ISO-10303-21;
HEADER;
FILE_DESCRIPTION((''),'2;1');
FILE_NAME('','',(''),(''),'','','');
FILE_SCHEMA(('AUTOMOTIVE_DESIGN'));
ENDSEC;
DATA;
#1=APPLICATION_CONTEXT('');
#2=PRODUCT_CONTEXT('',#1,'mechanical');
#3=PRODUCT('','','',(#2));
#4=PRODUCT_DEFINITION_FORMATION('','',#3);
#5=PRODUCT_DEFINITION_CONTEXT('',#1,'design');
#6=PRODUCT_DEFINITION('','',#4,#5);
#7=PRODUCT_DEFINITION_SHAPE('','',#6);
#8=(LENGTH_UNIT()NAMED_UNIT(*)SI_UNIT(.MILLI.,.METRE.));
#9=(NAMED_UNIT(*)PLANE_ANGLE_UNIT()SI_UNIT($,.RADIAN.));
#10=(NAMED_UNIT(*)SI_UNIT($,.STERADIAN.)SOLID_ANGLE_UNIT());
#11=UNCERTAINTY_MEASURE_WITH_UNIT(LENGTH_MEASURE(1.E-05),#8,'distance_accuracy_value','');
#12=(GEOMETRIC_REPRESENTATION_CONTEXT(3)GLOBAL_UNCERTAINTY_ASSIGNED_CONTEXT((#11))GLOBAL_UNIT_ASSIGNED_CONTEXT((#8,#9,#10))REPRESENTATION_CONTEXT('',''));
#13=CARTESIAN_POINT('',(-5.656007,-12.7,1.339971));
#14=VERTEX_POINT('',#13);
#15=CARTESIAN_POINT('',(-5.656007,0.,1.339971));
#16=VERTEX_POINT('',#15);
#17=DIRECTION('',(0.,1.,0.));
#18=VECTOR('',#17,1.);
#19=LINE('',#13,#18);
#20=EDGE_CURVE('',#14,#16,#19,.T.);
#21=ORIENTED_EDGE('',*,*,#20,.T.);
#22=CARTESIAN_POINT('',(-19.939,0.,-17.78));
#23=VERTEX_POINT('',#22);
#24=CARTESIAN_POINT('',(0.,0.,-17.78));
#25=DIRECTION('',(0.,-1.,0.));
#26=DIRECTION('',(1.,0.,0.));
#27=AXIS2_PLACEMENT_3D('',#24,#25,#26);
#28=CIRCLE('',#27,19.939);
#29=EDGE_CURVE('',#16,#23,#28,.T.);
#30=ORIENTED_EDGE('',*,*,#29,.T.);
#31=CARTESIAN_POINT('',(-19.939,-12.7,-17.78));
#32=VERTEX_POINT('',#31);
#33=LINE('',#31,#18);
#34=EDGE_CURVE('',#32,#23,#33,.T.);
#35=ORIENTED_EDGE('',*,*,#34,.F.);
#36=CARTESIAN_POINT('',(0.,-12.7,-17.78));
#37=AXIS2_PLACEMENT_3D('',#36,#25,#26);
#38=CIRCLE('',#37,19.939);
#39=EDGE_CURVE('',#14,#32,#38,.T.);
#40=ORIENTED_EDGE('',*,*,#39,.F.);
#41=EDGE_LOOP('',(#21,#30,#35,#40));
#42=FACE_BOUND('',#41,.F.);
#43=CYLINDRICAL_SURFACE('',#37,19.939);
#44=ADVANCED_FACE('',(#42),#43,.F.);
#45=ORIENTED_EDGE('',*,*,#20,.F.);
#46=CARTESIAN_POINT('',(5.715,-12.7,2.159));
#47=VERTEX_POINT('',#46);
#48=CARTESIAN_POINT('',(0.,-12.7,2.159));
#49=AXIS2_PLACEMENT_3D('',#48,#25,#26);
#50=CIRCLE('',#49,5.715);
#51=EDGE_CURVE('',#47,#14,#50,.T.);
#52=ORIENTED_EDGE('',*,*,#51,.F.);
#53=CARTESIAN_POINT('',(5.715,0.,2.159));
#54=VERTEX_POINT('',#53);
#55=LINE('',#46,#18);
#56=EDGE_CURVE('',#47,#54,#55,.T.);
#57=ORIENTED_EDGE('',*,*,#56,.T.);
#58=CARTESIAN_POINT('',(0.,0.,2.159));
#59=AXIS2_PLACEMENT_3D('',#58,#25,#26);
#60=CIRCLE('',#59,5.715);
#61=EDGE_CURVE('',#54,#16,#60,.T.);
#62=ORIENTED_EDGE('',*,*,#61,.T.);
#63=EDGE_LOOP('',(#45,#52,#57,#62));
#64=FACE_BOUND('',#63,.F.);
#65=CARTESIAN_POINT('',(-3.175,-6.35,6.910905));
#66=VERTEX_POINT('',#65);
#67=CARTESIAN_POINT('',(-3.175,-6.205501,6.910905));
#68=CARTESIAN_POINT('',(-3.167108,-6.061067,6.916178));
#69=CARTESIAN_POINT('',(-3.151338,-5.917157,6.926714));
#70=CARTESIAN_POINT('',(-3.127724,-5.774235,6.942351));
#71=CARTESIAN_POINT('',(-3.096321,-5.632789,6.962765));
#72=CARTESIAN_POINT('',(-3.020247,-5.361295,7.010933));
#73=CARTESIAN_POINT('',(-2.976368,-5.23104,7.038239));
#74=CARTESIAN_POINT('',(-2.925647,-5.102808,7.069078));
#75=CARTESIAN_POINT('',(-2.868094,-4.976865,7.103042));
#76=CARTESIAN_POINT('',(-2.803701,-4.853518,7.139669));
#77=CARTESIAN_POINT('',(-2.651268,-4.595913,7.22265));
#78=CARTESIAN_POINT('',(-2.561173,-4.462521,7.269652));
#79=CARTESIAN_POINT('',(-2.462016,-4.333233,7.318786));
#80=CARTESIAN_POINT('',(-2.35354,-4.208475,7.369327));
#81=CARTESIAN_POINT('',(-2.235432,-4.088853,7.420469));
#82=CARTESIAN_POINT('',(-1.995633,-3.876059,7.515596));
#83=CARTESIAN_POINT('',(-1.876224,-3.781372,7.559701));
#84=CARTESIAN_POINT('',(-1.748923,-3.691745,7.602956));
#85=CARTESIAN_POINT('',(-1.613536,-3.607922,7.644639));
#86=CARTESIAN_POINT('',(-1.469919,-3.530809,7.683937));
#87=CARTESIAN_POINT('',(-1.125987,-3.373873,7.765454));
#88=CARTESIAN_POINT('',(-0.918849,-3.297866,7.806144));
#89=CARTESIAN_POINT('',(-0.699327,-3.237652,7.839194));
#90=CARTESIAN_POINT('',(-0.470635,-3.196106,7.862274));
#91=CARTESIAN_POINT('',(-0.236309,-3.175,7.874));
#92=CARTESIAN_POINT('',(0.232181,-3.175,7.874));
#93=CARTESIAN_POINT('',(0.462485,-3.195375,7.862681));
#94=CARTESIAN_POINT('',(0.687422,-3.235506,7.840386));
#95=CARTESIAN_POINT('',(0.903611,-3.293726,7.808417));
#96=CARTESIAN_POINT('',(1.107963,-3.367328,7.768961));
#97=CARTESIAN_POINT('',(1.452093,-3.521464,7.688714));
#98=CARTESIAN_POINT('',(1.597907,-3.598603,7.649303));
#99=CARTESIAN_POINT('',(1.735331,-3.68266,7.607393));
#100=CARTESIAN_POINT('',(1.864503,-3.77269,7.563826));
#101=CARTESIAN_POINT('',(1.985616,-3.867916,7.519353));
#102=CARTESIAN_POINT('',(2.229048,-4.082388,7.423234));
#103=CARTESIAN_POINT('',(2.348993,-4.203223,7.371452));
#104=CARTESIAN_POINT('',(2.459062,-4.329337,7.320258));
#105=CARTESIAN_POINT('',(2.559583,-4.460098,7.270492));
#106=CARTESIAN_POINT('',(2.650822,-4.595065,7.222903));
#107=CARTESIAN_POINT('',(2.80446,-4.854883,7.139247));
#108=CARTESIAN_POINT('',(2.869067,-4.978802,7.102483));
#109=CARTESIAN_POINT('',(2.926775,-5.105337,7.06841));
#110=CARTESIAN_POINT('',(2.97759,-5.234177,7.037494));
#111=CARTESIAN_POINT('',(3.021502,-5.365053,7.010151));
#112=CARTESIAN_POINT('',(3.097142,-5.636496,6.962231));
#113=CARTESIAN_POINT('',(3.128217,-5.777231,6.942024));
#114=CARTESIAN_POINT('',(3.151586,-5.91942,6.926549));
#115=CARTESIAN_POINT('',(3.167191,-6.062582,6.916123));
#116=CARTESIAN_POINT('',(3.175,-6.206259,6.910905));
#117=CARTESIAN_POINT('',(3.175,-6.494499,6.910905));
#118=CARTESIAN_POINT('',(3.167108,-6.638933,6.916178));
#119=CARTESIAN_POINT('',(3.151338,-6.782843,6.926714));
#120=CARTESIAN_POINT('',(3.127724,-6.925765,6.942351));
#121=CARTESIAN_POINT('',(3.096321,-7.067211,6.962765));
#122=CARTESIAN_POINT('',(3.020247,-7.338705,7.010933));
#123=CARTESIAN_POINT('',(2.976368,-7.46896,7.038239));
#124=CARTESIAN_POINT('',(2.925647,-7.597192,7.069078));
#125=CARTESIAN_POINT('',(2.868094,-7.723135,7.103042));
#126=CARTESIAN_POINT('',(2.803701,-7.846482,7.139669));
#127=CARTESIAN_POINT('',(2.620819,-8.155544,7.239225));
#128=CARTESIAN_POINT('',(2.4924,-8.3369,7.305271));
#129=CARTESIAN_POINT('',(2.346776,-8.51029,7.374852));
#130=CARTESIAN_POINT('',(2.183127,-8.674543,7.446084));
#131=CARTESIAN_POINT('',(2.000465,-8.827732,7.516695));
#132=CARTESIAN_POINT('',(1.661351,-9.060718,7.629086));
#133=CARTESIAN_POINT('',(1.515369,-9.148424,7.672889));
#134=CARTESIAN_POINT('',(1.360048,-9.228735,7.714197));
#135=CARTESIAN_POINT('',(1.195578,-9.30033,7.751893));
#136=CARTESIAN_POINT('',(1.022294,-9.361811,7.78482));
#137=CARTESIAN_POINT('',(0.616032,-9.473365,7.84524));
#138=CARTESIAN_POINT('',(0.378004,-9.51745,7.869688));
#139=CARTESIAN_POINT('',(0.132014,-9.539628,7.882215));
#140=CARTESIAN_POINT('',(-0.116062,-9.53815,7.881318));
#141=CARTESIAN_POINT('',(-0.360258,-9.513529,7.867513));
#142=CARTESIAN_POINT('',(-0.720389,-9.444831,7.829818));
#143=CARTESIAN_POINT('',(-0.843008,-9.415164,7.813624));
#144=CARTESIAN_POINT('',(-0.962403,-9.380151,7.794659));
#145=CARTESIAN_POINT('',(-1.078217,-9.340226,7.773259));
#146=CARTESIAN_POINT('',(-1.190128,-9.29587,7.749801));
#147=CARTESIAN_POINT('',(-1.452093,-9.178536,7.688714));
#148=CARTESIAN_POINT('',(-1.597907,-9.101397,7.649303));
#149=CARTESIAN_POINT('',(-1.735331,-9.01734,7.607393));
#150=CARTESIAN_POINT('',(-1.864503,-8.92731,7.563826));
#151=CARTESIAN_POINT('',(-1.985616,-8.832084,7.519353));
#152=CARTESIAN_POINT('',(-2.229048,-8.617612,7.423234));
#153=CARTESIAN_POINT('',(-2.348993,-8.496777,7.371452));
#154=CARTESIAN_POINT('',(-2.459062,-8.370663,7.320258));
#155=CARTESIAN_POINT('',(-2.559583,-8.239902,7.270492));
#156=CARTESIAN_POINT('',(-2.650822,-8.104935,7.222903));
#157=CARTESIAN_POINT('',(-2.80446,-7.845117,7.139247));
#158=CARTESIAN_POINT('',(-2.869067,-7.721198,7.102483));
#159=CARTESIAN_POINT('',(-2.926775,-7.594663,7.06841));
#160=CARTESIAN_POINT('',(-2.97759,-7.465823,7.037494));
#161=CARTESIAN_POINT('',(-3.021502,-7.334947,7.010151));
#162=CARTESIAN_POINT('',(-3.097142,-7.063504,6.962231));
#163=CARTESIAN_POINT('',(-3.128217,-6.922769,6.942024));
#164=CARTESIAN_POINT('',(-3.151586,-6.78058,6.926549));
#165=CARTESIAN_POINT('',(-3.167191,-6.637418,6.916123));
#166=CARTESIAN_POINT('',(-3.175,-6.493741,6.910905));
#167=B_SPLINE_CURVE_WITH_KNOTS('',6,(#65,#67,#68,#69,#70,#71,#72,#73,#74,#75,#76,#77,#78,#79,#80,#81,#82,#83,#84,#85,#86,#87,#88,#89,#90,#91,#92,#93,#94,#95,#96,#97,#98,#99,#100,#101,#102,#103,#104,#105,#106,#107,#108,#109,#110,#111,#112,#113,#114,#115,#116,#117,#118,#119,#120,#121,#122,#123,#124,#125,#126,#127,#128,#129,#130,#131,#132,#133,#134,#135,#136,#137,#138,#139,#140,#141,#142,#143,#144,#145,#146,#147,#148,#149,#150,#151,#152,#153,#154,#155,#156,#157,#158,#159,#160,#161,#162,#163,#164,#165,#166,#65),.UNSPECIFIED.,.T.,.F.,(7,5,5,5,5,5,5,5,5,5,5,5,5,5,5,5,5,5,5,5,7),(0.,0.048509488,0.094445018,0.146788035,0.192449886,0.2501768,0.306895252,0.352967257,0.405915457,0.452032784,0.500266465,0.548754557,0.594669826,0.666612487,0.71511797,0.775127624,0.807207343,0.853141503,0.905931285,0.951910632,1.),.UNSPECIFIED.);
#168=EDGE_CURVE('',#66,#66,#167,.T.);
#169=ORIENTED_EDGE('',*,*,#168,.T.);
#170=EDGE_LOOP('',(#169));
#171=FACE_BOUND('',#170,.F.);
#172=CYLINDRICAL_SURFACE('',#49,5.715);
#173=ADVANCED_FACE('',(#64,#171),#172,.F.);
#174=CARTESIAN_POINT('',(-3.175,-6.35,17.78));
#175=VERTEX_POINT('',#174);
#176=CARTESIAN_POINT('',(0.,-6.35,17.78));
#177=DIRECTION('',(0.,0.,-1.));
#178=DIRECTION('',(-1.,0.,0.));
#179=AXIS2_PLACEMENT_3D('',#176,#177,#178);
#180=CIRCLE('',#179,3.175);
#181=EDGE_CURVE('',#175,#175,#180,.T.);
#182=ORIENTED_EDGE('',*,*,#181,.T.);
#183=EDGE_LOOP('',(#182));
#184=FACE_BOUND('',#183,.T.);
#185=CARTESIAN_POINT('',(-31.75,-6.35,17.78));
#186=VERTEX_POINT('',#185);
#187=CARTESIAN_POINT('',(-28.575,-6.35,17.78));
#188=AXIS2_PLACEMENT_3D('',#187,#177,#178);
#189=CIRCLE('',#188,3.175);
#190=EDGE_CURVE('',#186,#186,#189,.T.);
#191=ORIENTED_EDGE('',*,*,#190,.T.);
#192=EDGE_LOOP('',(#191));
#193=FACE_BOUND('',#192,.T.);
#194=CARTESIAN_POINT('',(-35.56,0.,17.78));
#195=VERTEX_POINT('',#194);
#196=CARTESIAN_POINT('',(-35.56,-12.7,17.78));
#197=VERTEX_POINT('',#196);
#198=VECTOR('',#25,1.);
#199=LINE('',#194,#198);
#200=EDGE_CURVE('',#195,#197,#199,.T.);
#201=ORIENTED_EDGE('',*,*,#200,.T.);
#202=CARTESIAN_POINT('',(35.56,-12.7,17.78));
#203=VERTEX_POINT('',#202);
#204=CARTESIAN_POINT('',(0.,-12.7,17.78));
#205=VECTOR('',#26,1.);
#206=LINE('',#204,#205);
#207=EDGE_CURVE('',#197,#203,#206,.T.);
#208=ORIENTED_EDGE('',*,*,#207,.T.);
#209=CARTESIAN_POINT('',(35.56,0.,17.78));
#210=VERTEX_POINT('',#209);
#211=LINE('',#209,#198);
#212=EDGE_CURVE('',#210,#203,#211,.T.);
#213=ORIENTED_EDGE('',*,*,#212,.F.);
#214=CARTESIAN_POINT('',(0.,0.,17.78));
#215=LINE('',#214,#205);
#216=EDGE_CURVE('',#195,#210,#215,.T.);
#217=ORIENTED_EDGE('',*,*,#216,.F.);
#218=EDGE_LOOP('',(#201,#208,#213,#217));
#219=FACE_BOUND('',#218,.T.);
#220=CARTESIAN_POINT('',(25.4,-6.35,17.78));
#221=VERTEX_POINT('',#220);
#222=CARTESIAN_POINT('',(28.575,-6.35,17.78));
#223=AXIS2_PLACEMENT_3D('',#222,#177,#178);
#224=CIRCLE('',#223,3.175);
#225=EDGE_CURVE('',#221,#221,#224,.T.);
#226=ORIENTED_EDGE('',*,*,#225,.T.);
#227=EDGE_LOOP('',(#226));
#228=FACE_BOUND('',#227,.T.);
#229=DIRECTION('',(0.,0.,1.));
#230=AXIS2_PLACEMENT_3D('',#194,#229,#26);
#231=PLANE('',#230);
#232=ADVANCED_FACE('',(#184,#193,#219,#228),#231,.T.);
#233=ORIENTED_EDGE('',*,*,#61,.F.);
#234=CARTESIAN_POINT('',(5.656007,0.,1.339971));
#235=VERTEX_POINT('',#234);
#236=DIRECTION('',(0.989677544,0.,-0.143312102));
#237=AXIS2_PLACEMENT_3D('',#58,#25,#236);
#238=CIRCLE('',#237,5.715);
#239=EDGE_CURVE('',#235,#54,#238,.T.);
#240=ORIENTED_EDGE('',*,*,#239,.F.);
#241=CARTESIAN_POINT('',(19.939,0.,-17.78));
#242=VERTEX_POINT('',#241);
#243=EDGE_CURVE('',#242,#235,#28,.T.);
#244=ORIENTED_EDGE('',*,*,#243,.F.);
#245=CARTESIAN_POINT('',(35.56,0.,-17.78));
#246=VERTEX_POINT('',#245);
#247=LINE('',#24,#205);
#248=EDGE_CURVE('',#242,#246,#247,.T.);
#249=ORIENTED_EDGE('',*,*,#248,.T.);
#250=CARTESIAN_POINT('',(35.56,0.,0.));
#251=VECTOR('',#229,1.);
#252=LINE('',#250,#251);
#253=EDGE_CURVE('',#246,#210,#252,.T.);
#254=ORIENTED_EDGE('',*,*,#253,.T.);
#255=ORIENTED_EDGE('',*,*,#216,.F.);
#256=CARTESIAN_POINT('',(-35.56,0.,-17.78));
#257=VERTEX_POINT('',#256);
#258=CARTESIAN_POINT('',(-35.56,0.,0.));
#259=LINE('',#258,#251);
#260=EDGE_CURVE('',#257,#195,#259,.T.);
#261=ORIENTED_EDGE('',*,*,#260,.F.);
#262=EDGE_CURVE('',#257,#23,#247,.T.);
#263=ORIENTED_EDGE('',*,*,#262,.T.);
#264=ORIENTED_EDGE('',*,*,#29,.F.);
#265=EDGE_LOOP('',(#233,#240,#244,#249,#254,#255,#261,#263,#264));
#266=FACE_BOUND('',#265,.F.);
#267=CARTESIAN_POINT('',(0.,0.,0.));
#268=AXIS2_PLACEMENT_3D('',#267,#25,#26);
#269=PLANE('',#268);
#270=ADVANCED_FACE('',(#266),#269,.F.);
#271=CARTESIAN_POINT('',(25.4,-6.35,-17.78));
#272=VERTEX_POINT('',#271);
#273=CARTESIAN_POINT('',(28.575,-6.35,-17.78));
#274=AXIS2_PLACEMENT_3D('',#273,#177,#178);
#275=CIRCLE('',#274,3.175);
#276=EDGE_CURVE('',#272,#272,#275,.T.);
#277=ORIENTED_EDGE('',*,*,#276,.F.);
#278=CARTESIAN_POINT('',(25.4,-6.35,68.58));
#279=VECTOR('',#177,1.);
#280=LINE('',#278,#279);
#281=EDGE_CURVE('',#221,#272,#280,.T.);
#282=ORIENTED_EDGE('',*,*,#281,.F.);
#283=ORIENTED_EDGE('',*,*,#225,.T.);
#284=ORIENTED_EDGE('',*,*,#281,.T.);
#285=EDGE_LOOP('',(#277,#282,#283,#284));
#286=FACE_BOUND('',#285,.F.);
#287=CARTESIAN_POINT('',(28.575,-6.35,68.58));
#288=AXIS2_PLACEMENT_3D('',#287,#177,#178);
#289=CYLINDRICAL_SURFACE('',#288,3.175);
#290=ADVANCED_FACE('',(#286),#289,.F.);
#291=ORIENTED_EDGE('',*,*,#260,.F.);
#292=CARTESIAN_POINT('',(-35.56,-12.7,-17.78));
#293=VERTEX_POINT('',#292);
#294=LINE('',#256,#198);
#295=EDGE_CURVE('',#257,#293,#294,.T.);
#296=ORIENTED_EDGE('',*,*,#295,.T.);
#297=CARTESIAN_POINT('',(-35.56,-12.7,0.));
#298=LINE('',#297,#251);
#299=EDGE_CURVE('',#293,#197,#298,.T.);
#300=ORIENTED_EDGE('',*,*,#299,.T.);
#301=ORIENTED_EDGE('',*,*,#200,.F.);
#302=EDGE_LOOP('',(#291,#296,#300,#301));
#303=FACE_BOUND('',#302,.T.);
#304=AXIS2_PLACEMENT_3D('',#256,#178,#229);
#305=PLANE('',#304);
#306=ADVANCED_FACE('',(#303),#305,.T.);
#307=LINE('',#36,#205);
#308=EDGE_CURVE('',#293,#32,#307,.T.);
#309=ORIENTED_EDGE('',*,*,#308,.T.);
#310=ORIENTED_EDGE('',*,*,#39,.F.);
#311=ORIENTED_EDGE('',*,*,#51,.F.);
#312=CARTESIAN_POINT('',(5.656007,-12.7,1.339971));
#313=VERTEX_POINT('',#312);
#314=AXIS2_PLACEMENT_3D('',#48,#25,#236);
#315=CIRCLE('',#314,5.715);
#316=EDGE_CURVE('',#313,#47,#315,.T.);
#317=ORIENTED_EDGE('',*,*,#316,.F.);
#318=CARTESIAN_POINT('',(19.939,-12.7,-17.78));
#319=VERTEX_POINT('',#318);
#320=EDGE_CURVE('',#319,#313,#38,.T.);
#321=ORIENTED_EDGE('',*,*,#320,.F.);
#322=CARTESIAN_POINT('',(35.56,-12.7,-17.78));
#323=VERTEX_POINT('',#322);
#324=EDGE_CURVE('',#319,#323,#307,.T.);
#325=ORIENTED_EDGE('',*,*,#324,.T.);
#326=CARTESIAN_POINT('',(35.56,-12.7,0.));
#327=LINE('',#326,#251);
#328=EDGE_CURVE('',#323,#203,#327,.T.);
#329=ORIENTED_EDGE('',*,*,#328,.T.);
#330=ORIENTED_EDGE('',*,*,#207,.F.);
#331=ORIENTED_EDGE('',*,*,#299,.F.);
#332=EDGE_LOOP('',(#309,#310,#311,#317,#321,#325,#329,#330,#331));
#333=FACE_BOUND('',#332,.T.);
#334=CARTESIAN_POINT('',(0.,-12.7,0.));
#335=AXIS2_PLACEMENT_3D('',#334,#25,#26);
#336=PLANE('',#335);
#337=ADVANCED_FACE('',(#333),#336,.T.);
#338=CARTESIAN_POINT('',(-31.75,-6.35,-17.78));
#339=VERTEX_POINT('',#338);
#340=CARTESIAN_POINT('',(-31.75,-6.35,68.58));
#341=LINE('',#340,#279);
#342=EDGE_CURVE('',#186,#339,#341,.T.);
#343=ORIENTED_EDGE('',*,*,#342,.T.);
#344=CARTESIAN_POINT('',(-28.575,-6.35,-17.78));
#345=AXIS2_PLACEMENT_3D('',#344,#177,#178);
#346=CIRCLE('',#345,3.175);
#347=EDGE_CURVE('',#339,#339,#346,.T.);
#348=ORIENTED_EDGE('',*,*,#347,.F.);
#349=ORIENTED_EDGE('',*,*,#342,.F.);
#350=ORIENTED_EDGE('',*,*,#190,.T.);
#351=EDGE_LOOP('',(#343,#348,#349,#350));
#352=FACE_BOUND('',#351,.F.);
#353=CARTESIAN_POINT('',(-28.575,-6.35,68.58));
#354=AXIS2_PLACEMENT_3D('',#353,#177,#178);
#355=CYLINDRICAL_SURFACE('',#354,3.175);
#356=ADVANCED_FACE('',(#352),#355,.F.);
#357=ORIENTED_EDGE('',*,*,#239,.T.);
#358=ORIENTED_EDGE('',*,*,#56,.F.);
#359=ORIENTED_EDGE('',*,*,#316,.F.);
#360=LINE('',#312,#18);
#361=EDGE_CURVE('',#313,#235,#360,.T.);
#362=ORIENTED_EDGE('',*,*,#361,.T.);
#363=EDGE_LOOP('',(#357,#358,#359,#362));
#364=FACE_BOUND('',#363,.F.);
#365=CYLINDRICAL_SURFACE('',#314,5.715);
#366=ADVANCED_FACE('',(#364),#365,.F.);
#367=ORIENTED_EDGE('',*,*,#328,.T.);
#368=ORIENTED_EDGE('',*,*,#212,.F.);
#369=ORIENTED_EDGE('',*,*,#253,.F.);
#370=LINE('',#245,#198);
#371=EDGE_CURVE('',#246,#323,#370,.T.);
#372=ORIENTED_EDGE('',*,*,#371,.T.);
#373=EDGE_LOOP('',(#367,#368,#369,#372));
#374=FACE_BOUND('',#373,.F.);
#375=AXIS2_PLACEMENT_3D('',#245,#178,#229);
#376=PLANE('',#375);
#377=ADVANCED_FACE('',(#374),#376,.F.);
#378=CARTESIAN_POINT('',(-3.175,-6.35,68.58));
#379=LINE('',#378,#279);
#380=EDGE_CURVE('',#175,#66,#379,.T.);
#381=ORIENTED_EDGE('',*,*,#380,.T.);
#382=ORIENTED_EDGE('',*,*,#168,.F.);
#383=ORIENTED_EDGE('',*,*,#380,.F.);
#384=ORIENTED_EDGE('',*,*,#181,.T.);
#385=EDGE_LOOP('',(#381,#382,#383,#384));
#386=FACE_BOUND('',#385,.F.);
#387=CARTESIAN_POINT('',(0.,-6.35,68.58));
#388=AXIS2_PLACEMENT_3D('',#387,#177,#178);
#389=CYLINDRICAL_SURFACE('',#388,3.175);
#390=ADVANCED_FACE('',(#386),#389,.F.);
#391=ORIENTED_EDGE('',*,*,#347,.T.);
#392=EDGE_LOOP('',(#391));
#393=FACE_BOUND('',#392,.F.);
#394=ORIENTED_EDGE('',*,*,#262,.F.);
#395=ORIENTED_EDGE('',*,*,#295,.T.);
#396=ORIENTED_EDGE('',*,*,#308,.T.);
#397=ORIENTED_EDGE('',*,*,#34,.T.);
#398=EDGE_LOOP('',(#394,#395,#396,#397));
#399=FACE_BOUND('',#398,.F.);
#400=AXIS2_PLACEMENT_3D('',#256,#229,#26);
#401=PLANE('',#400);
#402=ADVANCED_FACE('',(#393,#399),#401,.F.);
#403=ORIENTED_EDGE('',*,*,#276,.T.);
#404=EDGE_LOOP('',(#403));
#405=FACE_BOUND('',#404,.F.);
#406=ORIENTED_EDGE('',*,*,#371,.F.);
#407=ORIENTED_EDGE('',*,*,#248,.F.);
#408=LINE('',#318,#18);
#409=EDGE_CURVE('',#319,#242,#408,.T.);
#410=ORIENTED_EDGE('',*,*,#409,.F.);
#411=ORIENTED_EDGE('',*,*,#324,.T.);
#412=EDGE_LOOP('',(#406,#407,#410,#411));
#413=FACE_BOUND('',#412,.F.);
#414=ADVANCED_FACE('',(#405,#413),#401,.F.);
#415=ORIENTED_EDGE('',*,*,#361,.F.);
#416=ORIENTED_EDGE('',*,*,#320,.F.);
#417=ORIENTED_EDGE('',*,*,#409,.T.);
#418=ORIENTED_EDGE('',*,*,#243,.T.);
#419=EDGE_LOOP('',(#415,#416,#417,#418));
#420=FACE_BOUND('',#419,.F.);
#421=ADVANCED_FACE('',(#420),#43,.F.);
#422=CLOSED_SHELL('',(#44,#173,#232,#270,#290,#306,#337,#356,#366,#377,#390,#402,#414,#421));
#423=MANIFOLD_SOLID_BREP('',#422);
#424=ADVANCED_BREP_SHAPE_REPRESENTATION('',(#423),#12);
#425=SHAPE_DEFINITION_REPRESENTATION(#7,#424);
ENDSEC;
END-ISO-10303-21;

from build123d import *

# Parameters (mm, degrees)
F0_W     = 71.12
F0_H     = 35.56
F1_DEPTH = 12.7
F3_DEPTH = 12.701
F5_DEPTH = 25.4
F7_D     = 6.35
F7_DEPTH = 50.8
F7_TIP   = 1.9077324654


with BuildPart() as f1:
    # F0 (on Front) → F1 (new body)
    with BuildSketch(Plane.XZ):
        Rectangle(F0_W, F0_H)
    extrude(amount=F1_DEPTH)

    # F2 (on face) → F3 (cut, through all)
    with BuildSketch(Plane.XZ.offset(12.7)):
        with BuildLine():
            Line((-19.939, -17.78), (19.939, -17.78))
            ThreePointArc((19.939, -17.78), (0, 2.159), (-19.939, -17.78))
        make_face()
    extrude(amount=-F3_DEPTH, mode=Mode.SUBTRACT)

    # F4 (on face) → F5 (cut)
    with BuildSketch(Plane.XZ.offset(12.7)):
        with BuildLine():
            ThreePointArc((5.656007165, 1.3399713376), (5.7002327123, 1.7484247619), (5.715, 2.159))
            ThreePointArc((5.715, 2.159), (-0.4105752381, 7.8592327123), (-5.656007165, 1.3399713376))
            ThreePointArc((-5.656007165, 1.3399713376), (0, 2.159), (5.656007165, 1.3399713376))
        make_face()
    extrude(amount=-F5_DEPTH, mode=Mode.SUBTRACT)

    # F7
    with Locations(Plane.XY.offset(17.78)):
        with Locations((-28.575, -6.35), (0, -6.35), (28.575, -6.35)):
            Hole(F7_D / 2, depth=F7_DEPTH)
            with Locations((0, 0, -(F7_DEPTH + F7_TIP / 2))):  # 118° drill point
                Cone(0, F7_D / 2, F7_TIP, mode=Mode.SUBTRACT)


solid = f1.part
